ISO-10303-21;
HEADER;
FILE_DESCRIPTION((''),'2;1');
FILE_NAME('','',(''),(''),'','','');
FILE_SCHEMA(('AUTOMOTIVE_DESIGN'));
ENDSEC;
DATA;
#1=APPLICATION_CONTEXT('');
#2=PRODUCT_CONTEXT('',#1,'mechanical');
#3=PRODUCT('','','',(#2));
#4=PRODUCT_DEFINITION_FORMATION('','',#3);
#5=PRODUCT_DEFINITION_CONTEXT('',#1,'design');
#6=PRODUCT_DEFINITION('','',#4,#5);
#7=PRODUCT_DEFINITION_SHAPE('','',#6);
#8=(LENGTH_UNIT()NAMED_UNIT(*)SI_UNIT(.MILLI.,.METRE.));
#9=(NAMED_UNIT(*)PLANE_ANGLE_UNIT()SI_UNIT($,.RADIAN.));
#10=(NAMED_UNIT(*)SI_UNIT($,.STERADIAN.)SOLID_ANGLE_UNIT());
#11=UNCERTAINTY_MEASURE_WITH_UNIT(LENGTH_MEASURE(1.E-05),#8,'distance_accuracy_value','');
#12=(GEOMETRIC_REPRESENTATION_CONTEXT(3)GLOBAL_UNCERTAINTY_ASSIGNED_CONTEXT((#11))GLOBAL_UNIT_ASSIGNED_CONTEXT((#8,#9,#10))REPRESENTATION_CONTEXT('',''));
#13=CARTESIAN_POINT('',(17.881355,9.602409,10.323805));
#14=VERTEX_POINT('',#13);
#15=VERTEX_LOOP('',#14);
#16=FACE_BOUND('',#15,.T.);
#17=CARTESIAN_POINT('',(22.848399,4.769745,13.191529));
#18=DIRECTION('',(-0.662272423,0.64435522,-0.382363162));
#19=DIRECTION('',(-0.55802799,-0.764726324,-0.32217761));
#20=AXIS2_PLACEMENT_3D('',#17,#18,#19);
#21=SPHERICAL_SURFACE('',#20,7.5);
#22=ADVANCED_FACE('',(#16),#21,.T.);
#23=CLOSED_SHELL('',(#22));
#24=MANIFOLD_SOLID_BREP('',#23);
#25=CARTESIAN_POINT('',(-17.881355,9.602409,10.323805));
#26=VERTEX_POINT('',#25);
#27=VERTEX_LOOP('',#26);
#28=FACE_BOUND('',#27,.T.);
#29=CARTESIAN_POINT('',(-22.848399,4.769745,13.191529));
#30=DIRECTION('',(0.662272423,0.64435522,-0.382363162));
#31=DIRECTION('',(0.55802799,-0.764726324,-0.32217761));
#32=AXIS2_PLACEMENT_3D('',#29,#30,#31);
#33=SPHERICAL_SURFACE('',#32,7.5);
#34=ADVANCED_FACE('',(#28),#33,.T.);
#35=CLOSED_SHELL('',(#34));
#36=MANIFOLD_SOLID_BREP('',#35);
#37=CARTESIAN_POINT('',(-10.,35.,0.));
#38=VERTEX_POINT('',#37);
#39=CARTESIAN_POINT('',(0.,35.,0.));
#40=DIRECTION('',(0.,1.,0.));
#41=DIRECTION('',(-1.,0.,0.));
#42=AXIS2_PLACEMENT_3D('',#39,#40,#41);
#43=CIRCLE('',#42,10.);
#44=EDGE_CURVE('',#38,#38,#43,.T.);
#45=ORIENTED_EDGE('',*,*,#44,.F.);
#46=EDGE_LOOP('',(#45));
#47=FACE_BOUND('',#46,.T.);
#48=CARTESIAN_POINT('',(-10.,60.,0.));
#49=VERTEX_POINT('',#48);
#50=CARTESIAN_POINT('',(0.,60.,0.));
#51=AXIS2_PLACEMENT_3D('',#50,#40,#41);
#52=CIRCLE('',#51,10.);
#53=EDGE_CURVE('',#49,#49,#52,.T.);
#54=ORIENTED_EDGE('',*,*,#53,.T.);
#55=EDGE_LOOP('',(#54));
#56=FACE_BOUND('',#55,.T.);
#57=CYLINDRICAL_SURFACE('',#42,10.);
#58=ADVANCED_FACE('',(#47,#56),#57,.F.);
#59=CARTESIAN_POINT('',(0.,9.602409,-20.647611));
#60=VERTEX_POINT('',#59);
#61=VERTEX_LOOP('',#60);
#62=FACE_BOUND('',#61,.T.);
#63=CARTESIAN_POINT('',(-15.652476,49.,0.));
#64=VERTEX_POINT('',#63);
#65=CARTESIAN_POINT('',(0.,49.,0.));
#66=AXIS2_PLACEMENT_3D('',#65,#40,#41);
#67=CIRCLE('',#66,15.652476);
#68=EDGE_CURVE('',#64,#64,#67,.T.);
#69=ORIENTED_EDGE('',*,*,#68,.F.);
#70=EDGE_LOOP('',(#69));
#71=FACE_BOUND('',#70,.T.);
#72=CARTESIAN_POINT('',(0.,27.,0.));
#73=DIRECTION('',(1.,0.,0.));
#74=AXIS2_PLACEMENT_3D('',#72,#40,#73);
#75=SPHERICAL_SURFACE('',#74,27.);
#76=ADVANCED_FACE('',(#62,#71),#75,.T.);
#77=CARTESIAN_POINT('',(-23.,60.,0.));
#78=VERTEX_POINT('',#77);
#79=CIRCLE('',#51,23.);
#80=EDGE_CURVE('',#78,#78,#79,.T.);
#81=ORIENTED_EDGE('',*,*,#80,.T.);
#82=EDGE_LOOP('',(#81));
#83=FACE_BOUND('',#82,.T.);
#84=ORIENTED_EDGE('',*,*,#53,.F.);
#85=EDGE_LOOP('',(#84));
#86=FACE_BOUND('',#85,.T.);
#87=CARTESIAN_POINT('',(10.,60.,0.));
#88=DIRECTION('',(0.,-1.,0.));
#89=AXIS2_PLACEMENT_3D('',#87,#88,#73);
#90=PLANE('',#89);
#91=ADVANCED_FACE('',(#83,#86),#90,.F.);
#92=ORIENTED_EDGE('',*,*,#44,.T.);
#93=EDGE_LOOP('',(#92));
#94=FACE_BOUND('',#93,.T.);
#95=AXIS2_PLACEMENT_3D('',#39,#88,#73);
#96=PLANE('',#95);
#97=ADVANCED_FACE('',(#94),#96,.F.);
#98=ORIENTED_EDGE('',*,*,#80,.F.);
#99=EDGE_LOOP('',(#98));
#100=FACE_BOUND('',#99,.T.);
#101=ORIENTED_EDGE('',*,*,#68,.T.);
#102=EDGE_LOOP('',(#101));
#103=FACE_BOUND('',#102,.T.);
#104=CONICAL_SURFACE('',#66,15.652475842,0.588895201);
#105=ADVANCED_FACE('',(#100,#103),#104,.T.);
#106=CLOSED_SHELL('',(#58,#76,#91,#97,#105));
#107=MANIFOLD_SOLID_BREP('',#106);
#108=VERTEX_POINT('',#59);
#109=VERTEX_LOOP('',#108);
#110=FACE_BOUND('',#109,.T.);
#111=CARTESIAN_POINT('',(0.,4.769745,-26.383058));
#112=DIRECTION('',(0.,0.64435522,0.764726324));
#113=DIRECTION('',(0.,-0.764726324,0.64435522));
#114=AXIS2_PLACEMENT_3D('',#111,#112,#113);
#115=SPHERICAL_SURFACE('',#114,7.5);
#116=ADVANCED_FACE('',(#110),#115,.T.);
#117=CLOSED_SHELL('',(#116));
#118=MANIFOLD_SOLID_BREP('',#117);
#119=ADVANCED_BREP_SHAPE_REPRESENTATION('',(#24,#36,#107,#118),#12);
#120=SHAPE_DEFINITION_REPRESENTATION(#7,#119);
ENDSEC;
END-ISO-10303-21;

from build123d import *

# Parameters (mm, degrees)
CIRPATTERN2_COUNT = 3


with BuildPart() as part:
    # Sketch1 → Revolve1 (revolve)
    with BuildSketch(Plane.XY, mode=Mode.PRIVATE) as revolve1_sk:
        with BuildLine():
            Line((0, 35), (0, 0))
            ThreePointArc((0, 0), (25.719642299, 18.784161637), (15.652475842, 49))
            Line((15.652475842, 49), (23, 60))
            Line((23, 60), (10, 60))
            Line((10, 60), (10, 35))
            Line((10, 35), (0, 35))
        make_face()
    revolve(revolve1_sk.sketch.rotate(Axis((0, 35, 0), (0, -1, 0)), 180), axis=Axis((0, 35, 0), (0, -1, 0)))


with BuildPart() as body_2:
    # Sketch4 → Revolve5 (revolve)
    with BuildSketch(Plane(origin=(0, 0, 0), x_dir=(0, 0, -1), z_dir=(1, 0, 0))):
        with BuildLine():
            Line((20.647610737, 9.602409051), (32.118505592, -0.062919254))
            ThreePointArc((32.118505592, -0.062919254), (31.215722317, 10.505192325), (20.647610737, 9.602409051))
        make_face()
    revolve(axis=Axis((0, 26.359712992, -0.759898134), (0, -0.6443552203384815, -0.7647263236103143)))


with BuildPart() as cirpattern2_1:
    # CirPattern2: pattern copy
    add(body_2.part.rotate(Axis((0, 0, 0), (0, 1, 0)), 1 * 360 / CIRPATTERN2_COUNT))


with BuildPart() as cirpattern2_2:
    # CirPattern2: pattern copy
    add(body_2.part.rotate(Axis((0, 0, 0), (0, 1, 0)), 2 * 360 / CIRPATTERN2_COUNT))


solid = Compound([part.part, body_2.part, cirpattern2_1.part, cirpattern2_2.part])
